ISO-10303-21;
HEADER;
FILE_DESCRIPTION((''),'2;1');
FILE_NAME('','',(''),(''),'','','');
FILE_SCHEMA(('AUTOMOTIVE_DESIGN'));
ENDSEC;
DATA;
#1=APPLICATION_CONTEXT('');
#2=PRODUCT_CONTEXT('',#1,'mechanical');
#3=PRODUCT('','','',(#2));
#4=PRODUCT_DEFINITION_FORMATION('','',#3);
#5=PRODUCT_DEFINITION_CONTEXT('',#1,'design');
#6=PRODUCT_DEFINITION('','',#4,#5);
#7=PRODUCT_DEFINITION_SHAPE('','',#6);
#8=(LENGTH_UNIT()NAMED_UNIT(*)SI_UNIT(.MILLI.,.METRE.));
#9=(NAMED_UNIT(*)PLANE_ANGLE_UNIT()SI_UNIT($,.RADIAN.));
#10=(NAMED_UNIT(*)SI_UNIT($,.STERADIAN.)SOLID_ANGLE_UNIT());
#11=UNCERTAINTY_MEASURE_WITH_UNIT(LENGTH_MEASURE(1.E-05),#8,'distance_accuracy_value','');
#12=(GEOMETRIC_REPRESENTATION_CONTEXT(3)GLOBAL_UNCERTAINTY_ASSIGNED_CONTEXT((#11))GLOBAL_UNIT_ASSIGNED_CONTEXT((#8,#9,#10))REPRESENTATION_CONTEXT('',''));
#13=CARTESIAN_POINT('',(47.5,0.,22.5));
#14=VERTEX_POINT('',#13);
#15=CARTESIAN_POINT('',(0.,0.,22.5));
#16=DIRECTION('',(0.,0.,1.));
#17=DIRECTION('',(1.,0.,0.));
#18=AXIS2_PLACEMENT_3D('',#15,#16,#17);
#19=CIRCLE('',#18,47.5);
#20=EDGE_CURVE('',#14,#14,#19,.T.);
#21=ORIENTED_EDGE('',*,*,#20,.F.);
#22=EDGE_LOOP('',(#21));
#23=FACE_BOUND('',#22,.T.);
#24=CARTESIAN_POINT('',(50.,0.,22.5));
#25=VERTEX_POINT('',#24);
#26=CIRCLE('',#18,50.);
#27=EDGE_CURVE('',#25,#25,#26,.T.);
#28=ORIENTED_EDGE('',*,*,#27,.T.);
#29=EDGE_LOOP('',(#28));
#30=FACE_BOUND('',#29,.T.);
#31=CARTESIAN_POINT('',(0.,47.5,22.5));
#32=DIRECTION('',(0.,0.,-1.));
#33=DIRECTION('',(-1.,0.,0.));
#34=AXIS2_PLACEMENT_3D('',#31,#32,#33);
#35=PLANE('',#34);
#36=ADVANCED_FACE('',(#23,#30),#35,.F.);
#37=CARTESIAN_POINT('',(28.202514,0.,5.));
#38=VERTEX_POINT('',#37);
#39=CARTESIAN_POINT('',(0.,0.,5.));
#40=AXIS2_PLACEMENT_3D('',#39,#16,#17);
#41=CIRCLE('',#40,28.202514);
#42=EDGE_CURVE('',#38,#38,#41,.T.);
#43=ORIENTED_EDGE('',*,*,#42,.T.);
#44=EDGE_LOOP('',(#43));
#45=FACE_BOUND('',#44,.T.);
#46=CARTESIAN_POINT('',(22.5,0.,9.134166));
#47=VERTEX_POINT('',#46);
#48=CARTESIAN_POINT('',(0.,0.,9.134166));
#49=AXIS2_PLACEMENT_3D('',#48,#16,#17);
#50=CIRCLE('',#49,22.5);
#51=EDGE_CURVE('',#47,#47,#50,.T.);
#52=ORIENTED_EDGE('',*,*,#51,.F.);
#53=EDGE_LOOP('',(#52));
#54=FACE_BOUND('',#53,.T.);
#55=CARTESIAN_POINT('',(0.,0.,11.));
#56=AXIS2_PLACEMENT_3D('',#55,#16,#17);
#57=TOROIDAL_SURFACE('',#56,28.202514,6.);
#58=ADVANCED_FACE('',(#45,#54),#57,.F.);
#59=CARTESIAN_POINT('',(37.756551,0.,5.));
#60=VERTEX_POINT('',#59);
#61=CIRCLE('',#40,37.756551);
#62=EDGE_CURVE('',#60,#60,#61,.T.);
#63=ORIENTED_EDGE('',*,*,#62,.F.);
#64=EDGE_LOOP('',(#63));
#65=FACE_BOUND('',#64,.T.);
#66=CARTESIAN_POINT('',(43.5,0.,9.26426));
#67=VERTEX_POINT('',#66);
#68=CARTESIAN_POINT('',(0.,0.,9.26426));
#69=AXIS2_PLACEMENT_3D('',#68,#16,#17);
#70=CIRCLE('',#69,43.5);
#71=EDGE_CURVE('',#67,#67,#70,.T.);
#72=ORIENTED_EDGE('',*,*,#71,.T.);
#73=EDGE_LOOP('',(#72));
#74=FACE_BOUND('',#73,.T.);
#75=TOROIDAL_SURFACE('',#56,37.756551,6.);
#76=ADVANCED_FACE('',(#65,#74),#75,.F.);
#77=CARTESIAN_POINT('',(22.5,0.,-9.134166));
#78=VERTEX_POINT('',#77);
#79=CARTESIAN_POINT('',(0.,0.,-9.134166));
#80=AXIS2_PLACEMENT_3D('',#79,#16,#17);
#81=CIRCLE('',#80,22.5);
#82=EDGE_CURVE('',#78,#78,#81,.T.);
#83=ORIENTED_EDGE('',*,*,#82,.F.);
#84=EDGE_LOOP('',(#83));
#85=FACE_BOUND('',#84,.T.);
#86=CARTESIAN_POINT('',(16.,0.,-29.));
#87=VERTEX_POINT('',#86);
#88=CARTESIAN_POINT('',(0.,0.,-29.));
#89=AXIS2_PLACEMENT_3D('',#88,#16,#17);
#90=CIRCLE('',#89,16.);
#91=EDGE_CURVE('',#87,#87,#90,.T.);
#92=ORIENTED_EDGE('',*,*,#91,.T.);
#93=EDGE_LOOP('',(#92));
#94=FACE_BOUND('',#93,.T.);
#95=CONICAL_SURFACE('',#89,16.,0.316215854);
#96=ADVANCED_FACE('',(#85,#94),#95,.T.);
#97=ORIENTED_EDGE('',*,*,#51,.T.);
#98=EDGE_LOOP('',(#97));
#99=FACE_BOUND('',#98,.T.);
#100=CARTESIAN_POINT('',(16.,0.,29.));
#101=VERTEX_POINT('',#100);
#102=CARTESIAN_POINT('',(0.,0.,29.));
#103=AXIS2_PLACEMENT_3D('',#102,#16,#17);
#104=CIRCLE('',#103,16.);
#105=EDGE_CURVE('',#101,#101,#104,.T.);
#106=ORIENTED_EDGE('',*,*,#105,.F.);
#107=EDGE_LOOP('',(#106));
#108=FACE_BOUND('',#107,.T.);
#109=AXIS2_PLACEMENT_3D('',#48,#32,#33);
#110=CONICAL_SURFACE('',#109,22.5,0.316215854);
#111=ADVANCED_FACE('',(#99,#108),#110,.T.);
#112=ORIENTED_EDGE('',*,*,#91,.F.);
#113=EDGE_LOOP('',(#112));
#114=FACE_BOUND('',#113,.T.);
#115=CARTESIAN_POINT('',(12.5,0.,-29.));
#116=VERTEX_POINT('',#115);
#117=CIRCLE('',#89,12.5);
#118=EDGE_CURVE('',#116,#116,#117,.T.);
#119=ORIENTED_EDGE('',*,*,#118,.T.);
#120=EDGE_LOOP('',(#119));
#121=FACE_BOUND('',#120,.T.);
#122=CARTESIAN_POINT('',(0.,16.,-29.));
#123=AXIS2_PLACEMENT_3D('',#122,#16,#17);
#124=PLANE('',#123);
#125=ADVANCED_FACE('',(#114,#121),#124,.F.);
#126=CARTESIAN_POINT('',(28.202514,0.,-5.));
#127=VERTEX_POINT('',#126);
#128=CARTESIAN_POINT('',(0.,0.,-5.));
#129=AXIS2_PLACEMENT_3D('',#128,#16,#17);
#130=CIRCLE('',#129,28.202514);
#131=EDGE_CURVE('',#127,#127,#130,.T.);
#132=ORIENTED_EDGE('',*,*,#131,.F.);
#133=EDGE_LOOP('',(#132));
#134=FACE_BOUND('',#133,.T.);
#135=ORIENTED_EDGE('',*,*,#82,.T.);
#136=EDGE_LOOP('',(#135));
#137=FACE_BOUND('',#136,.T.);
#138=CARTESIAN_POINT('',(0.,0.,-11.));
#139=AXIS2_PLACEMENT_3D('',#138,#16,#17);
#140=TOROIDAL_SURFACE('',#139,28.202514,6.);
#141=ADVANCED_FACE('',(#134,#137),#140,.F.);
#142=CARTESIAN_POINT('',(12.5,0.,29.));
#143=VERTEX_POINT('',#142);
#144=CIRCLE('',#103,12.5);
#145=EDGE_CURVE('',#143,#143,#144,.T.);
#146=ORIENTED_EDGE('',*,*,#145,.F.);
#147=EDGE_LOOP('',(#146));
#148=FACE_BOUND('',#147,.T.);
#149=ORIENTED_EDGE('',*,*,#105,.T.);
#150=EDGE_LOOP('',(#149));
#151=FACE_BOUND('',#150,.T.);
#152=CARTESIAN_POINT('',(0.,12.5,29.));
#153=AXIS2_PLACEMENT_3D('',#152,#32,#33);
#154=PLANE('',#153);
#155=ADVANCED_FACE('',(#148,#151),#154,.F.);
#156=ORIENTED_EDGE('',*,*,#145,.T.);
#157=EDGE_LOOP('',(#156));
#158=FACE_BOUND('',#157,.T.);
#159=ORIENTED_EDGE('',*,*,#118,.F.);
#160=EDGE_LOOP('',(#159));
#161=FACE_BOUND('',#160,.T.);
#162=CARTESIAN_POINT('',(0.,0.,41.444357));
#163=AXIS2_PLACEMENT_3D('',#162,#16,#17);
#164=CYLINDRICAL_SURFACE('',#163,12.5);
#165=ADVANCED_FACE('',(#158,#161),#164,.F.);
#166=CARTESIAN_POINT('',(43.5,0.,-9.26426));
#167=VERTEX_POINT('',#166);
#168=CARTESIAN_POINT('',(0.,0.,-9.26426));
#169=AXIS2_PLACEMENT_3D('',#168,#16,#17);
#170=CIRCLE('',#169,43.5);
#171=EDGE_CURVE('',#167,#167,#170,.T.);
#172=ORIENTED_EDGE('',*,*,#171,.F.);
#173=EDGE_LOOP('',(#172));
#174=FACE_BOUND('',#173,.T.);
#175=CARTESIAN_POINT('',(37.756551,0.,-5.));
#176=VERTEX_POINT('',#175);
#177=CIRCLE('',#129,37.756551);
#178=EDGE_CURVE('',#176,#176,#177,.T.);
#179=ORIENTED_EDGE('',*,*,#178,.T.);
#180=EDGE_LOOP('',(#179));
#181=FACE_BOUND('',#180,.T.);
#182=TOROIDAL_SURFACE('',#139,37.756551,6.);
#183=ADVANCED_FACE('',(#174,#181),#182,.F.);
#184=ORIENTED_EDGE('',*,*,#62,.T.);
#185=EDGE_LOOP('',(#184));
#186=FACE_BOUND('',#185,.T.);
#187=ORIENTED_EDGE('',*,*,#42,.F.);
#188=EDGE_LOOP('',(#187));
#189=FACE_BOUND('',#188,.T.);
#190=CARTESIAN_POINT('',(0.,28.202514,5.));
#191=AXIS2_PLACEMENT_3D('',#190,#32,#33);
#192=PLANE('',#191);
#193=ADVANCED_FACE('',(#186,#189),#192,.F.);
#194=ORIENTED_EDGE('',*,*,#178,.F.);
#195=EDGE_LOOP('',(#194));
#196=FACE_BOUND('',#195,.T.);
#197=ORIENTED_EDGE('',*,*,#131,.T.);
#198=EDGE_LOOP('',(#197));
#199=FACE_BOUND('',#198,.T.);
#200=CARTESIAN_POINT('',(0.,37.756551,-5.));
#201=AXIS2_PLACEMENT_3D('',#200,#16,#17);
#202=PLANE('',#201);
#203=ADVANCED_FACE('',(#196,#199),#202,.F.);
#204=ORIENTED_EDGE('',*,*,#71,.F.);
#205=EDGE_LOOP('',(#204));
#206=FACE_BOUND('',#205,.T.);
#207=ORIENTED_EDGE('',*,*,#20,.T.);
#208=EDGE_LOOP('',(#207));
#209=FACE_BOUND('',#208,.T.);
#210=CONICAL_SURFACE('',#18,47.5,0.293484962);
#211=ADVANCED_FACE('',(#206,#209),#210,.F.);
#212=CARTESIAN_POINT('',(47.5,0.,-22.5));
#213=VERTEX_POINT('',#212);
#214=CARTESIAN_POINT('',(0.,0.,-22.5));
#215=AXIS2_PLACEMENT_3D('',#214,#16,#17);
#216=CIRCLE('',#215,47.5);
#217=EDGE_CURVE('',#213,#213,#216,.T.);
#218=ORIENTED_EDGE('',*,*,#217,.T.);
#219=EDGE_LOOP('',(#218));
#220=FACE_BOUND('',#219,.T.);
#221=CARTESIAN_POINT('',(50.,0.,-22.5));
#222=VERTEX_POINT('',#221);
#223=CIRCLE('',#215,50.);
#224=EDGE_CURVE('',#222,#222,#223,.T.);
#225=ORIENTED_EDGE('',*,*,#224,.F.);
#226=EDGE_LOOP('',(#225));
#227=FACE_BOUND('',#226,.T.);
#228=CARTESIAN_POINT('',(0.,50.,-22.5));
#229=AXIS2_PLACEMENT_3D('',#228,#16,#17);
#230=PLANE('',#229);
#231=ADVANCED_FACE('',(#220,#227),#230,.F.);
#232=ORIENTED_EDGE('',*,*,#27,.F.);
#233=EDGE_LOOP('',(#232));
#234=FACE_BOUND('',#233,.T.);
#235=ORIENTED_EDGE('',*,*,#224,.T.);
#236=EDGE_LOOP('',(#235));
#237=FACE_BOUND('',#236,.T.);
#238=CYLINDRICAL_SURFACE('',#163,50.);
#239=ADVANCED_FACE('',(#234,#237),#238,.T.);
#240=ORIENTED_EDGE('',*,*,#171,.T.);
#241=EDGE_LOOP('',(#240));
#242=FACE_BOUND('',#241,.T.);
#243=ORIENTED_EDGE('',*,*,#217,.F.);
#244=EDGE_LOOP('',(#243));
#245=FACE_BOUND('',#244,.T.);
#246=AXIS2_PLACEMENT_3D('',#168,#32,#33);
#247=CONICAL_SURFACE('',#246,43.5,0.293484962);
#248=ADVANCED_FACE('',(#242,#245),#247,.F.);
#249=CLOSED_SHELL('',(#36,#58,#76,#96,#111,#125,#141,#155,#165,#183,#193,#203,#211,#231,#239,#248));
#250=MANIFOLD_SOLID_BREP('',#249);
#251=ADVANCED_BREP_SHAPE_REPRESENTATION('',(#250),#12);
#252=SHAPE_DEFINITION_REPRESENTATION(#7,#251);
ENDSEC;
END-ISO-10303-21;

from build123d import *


with BuildPart() as part:
    # Sketch1 → Revolve1 (revolve)
    with BuildSketch(Plane(origin=(0, 0, 0), x_dir=(0, 0, -1), z_dir=(1, 0, 0)), mode=Mode.PRIVATE) as revolve1_sk:
        with BuildLine():
            Line((-22.5, 50), (22.5, 50))
            Line((22.5, 50), (22.5, 47.5))
            Line((22.5, 47.5), (9.264260449, 43.5))
            ThreePointArc((9.264260449, 43.5), (6.182612881, 41.333250628), (5, 37.756550844))
            Line((5, 37.756550844), (5, 28.202513909))
            ThreePointArc((5, 28.202513909), (6.142274104, 24.680795703), (9.134166373, 22.5))
            Line((9.134166373, 22.5), (29, 16))
            Line((29, 16), (29, 12.5))
            Line((29, 12.5), (-29, 12.5))
            Line((-29, 12.5), (-29, 16))
            Line((-29, 16), (-9.134166373, 22.5))
            ThreePointArc((-9.134166373, 22.5), (-6.142274104, 24.680795703), (-5, 28.202513909))
            Line((-5, 28.202513909), (-5, 37.756550844))
            ThreePointArc((-5, 37.756550844), (-6.182612881, 41.333250628), (-9.264260449, 43.5))
            Line((-9.264260449, 43.5), (-22.5, 47.5))
            Line((-22.5, 47.5), (-22.5, 50))
        make_face()
    revolve(revolve1_sk.sketch.rotate(Axis((0, 0, 41.444357118), (0, 0, -1)), 90), axis=Axis((0, 0, 41.444357118), (0, 0, -1)))


solid = part.part
